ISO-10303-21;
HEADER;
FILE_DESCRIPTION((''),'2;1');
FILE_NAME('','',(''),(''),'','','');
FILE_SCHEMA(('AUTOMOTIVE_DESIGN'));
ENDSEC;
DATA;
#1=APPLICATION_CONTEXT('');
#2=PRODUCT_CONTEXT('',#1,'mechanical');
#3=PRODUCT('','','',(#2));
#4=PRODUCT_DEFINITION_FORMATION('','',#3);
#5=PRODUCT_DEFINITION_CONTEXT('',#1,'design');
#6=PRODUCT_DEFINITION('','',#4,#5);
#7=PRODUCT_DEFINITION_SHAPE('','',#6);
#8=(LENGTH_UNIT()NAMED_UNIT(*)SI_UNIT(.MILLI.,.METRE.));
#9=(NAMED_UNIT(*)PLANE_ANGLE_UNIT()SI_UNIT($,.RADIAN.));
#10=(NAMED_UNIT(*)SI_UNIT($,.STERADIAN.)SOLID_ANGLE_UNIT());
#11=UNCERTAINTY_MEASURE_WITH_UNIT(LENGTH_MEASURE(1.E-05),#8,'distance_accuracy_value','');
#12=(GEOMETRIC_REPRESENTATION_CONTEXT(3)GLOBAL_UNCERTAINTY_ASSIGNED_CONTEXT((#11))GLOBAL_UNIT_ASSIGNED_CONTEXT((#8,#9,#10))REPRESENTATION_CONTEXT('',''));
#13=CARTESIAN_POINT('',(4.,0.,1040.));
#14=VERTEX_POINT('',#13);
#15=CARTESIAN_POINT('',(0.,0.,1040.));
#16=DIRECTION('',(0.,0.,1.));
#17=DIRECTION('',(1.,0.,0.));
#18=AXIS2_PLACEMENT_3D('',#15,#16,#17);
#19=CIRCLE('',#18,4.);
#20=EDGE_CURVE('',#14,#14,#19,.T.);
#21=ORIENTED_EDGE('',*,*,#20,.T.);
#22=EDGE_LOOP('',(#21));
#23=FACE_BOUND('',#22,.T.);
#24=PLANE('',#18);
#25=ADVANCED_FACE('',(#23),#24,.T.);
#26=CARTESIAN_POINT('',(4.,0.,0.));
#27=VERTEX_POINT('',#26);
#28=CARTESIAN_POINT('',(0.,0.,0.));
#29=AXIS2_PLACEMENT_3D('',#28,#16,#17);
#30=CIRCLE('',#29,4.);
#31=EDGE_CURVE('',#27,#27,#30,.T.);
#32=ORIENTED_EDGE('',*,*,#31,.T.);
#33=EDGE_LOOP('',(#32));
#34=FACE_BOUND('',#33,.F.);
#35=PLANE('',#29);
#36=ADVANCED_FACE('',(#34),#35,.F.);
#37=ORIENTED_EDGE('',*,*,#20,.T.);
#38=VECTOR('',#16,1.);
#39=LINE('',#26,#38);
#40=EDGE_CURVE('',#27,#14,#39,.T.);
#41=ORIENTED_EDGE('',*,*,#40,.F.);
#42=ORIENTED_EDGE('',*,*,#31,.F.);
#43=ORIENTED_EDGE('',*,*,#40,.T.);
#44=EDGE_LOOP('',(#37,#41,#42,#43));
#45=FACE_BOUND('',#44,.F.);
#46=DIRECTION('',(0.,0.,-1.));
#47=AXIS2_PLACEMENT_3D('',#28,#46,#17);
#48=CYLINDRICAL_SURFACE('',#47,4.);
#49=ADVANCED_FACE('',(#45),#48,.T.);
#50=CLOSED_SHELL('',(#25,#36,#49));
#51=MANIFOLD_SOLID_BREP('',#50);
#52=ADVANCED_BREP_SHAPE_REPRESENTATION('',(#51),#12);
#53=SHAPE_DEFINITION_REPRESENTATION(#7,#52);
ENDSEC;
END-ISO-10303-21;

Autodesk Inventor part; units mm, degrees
ref_plane "YZ Plane" through (0, 0, 0) normal (1, 0, 0) x (0, 1, 0)
ref_plane "XZ Plane" through (0, 0, 0) normal (0, 1, 0) x (-1, 0, 0)
ref_plane "XY Plane" through (0, 0, 0) normal (0, 0, 1) x (1, 0, 0)
sketch "Skizze1" plane through (0, 0, 0) normal (0, 0, 1) x (1, 0, 0)
  circle A0 centre (0, 0) radius 4
  dimension "d0" = 8
extrude "Extrusion1" add sketch "Skizze1" along normal blind 1040
thread "Gewinde1" size "TR8x8-2p" designation "TR8x8-2" standard "ISO Metric Trapezoidal Threads" full length
properties part number "Lead Screw - TR8x8-2p 1040mm Simple"
